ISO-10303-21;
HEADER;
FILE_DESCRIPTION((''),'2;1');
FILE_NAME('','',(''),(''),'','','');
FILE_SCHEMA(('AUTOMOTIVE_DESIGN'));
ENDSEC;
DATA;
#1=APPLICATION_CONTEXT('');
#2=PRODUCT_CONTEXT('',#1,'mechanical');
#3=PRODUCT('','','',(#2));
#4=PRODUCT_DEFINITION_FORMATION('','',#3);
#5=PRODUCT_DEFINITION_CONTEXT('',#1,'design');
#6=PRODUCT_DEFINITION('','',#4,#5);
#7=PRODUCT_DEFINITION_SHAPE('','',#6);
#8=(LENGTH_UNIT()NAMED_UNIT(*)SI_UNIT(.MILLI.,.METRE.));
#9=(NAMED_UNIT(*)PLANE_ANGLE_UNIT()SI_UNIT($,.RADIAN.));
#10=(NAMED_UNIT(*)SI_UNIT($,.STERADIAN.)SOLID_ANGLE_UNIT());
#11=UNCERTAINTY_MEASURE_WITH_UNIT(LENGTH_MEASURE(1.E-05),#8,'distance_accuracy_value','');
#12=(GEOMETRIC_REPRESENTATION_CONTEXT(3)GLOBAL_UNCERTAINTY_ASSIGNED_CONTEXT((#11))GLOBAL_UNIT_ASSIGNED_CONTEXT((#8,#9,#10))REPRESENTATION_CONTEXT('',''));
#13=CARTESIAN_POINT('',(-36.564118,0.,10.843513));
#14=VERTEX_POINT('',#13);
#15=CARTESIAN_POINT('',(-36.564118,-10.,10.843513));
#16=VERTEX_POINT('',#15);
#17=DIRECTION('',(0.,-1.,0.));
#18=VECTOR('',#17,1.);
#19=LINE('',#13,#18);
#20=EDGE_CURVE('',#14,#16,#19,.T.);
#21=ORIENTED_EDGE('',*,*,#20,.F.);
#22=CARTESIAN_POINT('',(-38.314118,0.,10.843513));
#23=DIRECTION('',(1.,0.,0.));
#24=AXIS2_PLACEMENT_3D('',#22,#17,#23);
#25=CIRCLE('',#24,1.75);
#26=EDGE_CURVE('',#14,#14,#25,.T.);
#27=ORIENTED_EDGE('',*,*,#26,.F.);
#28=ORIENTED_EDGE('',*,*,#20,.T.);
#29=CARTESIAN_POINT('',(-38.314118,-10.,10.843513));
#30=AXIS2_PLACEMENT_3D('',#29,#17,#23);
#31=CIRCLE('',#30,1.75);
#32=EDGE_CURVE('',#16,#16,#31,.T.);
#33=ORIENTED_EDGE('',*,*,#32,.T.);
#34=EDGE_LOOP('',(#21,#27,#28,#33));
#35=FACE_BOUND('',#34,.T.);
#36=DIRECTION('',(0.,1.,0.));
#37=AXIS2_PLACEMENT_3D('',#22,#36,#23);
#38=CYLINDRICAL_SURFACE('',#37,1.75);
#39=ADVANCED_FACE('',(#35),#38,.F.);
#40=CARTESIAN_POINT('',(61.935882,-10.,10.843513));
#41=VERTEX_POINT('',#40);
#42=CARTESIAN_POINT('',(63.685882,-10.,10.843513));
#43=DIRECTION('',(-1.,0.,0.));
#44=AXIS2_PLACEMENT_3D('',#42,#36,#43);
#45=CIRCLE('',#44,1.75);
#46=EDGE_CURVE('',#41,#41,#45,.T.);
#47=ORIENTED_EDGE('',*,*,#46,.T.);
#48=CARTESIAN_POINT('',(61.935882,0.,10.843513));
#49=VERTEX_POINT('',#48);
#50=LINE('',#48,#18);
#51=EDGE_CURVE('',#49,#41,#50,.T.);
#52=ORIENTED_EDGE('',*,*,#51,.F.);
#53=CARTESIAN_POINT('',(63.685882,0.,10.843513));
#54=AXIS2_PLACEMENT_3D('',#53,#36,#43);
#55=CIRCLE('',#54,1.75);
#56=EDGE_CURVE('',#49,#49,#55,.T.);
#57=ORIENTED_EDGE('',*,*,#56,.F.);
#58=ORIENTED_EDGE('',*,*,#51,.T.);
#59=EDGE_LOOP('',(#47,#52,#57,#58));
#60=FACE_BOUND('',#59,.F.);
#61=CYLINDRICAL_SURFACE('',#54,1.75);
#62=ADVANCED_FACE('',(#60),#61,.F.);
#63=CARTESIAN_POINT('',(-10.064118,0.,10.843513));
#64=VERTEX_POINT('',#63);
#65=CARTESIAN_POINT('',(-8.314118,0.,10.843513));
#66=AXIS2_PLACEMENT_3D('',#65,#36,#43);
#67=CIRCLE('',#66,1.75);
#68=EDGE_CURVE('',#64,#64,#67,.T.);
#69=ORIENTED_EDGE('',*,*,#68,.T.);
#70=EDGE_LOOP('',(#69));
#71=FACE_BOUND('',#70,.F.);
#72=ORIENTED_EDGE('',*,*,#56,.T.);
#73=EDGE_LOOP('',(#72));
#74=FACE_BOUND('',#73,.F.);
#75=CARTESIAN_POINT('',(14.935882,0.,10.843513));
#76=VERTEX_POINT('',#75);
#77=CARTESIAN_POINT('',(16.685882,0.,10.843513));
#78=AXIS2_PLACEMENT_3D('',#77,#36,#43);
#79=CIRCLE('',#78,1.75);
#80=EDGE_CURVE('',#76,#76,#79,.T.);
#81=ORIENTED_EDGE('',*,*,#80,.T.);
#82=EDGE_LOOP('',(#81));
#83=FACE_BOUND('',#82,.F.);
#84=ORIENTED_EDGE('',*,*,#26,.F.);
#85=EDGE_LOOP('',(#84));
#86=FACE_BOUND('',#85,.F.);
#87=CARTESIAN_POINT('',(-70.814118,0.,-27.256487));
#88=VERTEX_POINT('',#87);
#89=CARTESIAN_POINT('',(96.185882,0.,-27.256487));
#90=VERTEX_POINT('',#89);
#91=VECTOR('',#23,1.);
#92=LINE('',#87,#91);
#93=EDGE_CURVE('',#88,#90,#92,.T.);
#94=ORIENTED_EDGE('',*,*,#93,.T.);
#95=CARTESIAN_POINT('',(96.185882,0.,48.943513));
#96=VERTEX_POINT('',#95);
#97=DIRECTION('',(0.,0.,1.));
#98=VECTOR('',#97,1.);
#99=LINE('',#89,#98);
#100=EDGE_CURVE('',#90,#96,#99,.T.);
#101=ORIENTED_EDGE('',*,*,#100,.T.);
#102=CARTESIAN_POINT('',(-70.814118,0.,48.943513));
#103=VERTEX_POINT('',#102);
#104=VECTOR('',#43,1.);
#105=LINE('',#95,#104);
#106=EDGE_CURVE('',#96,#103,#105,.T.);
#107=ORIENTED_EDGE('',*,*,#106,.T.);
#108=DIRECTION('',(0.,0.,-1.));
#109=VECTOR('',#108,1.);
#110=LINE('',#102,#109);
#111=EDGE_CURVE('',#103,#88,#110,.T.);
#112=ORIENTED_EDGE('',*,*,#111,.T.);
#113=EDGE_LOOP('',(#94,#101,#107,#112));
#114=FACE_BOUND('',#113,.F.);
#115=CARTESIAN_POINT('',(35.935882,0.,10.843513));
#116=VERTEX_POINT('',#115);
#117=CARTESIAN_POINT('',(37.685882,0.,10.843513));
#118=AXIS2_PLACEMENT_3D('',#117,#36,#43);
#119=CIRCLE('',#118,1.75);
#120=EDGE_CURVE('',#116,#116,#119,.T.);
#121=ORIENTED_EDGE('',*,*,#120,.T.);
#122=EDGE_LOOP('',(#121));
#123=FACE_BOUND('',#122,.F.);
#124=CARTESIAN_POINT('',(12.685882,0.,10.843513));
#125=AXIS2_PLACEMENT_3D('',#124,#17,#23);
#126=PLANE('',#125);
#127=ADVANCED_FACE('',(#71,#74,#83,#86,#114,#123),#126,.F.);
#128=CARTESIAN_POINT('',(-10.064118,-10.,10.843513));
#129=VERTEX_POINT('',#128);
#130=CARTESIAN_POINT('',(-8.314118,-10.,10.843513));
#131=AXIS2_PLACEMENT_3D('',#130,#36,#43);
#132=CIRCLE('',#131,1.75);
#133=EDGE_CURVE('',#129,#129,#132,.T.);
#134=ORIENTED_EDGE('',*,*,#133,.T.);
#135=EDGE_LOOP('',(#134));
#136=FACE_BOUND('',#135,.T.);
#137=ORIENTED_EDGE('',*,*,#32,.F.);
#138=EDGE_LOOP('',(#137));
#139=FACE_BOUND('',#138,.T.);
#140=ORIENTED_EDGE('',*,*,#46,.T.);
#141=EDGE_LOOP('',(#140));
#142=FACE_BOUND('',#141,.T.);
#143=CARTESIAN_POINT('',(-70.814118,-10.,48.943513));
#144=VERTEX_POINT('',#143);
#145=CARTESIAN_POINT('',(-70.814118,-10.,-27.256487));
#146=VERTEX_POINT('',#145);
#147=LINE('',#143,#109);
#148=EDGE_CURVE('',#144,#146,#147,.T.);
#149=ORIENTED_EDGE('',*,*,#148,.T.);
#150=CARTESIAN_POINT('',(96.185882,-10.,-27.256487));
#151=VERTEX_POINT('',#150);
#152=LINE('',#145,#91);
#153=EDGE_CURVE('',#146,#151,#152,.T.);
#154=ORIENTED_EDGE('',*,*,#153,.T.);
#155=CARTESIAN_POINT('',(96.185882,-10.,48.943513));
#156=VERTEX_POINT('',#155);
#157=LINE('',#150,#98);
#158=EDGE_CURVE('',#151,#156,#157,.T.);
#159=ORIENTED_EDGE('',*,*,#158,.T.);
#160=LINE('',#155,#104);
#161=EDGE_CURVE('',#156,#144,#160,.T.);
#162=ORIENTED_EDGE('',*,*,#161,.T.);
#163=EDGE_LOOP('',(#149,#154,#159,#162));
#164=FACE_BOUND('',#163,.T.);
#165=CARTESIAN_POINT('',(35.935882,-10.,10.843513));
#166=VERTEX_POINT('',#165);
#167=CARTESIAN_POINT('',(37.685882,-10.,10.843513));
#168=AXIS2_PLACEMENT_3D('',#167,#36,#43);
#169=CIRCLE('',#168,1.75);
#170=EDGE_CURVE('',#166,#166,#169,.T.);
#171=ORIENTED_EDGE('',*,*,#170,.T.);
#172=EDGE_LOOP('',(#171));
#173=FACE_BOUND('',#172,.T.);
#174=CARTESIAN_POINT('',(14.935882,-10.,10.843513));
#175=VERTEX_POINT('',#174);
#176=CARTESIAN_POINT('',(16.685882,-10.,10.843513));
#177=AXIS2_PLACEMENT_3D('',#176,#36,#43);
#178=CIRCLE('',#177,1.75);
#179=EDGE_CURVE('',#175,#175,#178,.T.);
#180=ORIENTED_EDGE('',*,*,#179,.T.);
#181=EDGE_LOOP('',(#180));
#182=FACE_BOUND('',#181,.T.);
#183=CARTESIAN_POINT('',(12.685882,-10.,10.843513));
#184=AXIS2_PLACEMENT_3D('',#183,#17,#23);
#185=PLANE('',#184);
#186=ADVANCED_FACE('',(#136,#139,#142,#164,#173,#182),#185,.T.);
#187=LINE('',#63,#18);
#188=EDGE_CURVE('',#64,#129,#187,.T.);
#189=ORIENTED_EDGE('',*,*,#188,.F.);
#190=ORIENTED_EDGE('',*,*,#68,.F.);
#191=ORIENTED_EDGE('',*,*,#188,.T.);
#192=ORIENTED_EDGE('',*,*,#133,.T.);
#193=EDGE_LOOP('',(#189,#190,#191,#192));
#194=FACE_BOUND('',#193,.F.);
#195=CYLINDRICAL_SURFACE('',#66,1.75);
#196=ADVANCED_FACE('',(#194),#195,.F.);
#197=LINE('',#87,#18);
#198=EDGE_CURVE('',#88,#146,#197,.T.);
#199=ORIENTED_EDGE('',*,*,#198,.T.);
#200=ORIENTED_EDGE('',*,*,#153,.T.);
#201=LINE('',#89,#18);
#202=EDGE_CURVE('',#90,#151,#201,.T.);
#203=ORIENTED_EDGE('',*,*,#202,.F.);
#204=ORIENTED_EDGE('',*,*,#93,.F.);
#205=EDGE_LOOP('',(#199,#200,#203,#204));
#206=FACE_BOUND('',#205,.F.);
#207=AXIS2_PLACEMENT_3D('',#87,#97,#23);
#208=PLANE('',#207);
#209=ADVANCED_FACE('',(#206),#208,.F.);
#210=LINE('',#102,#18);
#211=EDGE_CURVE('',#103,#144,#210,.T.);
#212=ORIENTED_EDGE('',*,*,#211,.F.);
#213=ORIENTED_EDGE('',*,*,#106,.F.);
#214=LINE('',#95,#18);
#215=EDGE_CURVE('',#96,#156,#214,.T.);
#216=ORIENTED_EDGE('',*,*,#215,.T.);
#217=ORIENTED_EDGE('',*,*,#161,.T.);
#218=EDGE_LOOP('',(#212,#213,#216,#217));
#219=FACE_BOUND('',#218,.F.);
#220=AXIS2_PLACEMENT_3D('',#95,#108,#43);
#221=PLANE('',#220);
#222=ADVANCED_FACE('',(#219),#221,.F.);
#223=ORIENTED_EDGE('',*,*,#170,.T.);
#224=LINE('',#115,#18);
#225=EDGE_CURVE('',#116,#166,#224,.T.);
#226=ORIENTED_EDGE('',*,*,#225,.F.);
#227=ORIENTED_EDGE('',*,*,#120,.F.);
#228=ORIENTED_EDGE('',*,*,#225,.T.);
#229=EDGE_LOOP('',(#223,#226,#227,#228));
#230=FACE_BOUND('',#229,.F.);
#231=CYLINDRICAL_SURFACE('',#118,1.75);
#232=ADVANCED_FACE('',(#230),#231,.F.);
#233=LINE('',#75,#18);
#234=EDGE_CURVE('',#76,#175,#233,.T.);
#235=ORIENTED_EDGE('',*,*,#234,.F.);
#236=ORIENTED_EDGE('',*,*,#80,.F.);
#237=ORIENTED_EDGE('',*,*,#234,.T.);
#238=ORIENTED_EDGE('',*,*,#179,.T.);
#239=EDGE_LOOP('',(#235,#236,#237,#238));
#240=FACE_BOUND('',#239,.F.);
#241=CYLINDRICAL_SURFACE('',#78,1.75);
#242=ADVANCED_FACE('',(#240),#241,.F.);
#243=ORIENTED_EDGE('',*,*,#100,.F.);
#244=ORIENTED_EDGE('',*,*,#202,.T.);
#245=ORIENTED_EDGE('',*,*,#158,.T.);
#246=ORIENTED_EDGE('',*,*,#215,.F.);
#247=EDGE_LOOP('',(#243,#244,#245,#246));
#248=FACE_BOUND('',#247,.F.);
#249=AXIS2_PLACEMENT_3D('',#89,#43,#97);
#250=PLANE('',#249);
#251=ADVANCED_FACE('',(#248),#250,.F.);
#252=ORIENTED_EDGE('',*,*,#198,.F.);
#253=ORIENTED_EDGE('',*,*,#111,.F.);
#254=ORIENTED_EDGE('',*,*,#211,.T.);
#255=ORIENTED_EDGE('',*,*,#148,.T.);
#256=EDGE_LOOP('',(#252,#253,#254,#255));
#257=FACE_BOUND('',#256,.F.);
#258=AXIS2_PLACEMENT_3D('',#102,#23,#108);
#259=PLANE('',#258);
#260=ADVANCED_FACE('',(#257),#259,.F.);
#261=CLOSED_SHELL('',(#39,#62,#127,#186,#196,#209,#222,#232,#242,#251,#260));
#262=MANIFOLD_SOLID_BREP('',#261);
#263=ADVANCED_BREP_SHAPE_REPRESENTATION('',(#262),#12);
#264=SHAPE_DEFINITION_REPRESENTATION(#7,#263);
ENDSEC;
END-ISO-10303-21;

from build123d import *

# Parameters (mm, degrees)
F0_R     = 1.75
F1_DEPTH = 10


with BuildPart() as f1:
    # F0 (on Front) → F1 (new body)
    with BuildSketch(Plane.XZ):
        Polygon((96.185882, 48.943513), (76.185882, 48.943513), (-70.814118, 48.943513), (-70.814118, 10.843513), (-70.814118, -27.256487), (-62.102672, -27.256487), (96.185882, -27.256487), align=None)
        with Locations((-38.314118, 10.843513)):
            Circle(F0_R, mode=Mode.SUBTRACT)
        with BuildLine():
            ThreePointArc((-6.564118, 10.843513), (-8.314118, 9.093513), (-10.064118, 10.843513))
            ThreePointArc((-10.064118, 10.843513), (-8.314118, 12.593513), (-6.564118, 10.843513))
        make_face(mode=Mode.SUBTRACT)
        with BuildLine():
            ThreePointArc((18.435882, 10.843513), (16.685882, 9.093513), (14.935882, 10.843513))
            ThreePointArc((14.935882, 10.843513), (16.685882, 12.593513), (18.435882, 10.843513))
        make_face(mode=Mode.SUBTRACT)
        with BuildLine():
            ThreePointArc((39.435882, 10.843513), (37.685882, 9.093513), (35.935882, 10.843513))
            ThreePointArc((35.935882, 10.843513), (37.685882, 12.593513), (39.435882, 10.843513))
        make_face(mode=Mode.SUBTRACT)
        with BuildLine():
            ThreePointArc((65.435882, 10.843513), (63.685882, 9.093513), (61.935882, 10.843513))
            ThreePointArc((61.935882, 10.843513), (63.685882, 12.593513), (65.435882, 10.843513))
        make_face(mode=Mode.SUBTRACT)
    extrude(amount=F1_DEPTH)


solid = f1.part
